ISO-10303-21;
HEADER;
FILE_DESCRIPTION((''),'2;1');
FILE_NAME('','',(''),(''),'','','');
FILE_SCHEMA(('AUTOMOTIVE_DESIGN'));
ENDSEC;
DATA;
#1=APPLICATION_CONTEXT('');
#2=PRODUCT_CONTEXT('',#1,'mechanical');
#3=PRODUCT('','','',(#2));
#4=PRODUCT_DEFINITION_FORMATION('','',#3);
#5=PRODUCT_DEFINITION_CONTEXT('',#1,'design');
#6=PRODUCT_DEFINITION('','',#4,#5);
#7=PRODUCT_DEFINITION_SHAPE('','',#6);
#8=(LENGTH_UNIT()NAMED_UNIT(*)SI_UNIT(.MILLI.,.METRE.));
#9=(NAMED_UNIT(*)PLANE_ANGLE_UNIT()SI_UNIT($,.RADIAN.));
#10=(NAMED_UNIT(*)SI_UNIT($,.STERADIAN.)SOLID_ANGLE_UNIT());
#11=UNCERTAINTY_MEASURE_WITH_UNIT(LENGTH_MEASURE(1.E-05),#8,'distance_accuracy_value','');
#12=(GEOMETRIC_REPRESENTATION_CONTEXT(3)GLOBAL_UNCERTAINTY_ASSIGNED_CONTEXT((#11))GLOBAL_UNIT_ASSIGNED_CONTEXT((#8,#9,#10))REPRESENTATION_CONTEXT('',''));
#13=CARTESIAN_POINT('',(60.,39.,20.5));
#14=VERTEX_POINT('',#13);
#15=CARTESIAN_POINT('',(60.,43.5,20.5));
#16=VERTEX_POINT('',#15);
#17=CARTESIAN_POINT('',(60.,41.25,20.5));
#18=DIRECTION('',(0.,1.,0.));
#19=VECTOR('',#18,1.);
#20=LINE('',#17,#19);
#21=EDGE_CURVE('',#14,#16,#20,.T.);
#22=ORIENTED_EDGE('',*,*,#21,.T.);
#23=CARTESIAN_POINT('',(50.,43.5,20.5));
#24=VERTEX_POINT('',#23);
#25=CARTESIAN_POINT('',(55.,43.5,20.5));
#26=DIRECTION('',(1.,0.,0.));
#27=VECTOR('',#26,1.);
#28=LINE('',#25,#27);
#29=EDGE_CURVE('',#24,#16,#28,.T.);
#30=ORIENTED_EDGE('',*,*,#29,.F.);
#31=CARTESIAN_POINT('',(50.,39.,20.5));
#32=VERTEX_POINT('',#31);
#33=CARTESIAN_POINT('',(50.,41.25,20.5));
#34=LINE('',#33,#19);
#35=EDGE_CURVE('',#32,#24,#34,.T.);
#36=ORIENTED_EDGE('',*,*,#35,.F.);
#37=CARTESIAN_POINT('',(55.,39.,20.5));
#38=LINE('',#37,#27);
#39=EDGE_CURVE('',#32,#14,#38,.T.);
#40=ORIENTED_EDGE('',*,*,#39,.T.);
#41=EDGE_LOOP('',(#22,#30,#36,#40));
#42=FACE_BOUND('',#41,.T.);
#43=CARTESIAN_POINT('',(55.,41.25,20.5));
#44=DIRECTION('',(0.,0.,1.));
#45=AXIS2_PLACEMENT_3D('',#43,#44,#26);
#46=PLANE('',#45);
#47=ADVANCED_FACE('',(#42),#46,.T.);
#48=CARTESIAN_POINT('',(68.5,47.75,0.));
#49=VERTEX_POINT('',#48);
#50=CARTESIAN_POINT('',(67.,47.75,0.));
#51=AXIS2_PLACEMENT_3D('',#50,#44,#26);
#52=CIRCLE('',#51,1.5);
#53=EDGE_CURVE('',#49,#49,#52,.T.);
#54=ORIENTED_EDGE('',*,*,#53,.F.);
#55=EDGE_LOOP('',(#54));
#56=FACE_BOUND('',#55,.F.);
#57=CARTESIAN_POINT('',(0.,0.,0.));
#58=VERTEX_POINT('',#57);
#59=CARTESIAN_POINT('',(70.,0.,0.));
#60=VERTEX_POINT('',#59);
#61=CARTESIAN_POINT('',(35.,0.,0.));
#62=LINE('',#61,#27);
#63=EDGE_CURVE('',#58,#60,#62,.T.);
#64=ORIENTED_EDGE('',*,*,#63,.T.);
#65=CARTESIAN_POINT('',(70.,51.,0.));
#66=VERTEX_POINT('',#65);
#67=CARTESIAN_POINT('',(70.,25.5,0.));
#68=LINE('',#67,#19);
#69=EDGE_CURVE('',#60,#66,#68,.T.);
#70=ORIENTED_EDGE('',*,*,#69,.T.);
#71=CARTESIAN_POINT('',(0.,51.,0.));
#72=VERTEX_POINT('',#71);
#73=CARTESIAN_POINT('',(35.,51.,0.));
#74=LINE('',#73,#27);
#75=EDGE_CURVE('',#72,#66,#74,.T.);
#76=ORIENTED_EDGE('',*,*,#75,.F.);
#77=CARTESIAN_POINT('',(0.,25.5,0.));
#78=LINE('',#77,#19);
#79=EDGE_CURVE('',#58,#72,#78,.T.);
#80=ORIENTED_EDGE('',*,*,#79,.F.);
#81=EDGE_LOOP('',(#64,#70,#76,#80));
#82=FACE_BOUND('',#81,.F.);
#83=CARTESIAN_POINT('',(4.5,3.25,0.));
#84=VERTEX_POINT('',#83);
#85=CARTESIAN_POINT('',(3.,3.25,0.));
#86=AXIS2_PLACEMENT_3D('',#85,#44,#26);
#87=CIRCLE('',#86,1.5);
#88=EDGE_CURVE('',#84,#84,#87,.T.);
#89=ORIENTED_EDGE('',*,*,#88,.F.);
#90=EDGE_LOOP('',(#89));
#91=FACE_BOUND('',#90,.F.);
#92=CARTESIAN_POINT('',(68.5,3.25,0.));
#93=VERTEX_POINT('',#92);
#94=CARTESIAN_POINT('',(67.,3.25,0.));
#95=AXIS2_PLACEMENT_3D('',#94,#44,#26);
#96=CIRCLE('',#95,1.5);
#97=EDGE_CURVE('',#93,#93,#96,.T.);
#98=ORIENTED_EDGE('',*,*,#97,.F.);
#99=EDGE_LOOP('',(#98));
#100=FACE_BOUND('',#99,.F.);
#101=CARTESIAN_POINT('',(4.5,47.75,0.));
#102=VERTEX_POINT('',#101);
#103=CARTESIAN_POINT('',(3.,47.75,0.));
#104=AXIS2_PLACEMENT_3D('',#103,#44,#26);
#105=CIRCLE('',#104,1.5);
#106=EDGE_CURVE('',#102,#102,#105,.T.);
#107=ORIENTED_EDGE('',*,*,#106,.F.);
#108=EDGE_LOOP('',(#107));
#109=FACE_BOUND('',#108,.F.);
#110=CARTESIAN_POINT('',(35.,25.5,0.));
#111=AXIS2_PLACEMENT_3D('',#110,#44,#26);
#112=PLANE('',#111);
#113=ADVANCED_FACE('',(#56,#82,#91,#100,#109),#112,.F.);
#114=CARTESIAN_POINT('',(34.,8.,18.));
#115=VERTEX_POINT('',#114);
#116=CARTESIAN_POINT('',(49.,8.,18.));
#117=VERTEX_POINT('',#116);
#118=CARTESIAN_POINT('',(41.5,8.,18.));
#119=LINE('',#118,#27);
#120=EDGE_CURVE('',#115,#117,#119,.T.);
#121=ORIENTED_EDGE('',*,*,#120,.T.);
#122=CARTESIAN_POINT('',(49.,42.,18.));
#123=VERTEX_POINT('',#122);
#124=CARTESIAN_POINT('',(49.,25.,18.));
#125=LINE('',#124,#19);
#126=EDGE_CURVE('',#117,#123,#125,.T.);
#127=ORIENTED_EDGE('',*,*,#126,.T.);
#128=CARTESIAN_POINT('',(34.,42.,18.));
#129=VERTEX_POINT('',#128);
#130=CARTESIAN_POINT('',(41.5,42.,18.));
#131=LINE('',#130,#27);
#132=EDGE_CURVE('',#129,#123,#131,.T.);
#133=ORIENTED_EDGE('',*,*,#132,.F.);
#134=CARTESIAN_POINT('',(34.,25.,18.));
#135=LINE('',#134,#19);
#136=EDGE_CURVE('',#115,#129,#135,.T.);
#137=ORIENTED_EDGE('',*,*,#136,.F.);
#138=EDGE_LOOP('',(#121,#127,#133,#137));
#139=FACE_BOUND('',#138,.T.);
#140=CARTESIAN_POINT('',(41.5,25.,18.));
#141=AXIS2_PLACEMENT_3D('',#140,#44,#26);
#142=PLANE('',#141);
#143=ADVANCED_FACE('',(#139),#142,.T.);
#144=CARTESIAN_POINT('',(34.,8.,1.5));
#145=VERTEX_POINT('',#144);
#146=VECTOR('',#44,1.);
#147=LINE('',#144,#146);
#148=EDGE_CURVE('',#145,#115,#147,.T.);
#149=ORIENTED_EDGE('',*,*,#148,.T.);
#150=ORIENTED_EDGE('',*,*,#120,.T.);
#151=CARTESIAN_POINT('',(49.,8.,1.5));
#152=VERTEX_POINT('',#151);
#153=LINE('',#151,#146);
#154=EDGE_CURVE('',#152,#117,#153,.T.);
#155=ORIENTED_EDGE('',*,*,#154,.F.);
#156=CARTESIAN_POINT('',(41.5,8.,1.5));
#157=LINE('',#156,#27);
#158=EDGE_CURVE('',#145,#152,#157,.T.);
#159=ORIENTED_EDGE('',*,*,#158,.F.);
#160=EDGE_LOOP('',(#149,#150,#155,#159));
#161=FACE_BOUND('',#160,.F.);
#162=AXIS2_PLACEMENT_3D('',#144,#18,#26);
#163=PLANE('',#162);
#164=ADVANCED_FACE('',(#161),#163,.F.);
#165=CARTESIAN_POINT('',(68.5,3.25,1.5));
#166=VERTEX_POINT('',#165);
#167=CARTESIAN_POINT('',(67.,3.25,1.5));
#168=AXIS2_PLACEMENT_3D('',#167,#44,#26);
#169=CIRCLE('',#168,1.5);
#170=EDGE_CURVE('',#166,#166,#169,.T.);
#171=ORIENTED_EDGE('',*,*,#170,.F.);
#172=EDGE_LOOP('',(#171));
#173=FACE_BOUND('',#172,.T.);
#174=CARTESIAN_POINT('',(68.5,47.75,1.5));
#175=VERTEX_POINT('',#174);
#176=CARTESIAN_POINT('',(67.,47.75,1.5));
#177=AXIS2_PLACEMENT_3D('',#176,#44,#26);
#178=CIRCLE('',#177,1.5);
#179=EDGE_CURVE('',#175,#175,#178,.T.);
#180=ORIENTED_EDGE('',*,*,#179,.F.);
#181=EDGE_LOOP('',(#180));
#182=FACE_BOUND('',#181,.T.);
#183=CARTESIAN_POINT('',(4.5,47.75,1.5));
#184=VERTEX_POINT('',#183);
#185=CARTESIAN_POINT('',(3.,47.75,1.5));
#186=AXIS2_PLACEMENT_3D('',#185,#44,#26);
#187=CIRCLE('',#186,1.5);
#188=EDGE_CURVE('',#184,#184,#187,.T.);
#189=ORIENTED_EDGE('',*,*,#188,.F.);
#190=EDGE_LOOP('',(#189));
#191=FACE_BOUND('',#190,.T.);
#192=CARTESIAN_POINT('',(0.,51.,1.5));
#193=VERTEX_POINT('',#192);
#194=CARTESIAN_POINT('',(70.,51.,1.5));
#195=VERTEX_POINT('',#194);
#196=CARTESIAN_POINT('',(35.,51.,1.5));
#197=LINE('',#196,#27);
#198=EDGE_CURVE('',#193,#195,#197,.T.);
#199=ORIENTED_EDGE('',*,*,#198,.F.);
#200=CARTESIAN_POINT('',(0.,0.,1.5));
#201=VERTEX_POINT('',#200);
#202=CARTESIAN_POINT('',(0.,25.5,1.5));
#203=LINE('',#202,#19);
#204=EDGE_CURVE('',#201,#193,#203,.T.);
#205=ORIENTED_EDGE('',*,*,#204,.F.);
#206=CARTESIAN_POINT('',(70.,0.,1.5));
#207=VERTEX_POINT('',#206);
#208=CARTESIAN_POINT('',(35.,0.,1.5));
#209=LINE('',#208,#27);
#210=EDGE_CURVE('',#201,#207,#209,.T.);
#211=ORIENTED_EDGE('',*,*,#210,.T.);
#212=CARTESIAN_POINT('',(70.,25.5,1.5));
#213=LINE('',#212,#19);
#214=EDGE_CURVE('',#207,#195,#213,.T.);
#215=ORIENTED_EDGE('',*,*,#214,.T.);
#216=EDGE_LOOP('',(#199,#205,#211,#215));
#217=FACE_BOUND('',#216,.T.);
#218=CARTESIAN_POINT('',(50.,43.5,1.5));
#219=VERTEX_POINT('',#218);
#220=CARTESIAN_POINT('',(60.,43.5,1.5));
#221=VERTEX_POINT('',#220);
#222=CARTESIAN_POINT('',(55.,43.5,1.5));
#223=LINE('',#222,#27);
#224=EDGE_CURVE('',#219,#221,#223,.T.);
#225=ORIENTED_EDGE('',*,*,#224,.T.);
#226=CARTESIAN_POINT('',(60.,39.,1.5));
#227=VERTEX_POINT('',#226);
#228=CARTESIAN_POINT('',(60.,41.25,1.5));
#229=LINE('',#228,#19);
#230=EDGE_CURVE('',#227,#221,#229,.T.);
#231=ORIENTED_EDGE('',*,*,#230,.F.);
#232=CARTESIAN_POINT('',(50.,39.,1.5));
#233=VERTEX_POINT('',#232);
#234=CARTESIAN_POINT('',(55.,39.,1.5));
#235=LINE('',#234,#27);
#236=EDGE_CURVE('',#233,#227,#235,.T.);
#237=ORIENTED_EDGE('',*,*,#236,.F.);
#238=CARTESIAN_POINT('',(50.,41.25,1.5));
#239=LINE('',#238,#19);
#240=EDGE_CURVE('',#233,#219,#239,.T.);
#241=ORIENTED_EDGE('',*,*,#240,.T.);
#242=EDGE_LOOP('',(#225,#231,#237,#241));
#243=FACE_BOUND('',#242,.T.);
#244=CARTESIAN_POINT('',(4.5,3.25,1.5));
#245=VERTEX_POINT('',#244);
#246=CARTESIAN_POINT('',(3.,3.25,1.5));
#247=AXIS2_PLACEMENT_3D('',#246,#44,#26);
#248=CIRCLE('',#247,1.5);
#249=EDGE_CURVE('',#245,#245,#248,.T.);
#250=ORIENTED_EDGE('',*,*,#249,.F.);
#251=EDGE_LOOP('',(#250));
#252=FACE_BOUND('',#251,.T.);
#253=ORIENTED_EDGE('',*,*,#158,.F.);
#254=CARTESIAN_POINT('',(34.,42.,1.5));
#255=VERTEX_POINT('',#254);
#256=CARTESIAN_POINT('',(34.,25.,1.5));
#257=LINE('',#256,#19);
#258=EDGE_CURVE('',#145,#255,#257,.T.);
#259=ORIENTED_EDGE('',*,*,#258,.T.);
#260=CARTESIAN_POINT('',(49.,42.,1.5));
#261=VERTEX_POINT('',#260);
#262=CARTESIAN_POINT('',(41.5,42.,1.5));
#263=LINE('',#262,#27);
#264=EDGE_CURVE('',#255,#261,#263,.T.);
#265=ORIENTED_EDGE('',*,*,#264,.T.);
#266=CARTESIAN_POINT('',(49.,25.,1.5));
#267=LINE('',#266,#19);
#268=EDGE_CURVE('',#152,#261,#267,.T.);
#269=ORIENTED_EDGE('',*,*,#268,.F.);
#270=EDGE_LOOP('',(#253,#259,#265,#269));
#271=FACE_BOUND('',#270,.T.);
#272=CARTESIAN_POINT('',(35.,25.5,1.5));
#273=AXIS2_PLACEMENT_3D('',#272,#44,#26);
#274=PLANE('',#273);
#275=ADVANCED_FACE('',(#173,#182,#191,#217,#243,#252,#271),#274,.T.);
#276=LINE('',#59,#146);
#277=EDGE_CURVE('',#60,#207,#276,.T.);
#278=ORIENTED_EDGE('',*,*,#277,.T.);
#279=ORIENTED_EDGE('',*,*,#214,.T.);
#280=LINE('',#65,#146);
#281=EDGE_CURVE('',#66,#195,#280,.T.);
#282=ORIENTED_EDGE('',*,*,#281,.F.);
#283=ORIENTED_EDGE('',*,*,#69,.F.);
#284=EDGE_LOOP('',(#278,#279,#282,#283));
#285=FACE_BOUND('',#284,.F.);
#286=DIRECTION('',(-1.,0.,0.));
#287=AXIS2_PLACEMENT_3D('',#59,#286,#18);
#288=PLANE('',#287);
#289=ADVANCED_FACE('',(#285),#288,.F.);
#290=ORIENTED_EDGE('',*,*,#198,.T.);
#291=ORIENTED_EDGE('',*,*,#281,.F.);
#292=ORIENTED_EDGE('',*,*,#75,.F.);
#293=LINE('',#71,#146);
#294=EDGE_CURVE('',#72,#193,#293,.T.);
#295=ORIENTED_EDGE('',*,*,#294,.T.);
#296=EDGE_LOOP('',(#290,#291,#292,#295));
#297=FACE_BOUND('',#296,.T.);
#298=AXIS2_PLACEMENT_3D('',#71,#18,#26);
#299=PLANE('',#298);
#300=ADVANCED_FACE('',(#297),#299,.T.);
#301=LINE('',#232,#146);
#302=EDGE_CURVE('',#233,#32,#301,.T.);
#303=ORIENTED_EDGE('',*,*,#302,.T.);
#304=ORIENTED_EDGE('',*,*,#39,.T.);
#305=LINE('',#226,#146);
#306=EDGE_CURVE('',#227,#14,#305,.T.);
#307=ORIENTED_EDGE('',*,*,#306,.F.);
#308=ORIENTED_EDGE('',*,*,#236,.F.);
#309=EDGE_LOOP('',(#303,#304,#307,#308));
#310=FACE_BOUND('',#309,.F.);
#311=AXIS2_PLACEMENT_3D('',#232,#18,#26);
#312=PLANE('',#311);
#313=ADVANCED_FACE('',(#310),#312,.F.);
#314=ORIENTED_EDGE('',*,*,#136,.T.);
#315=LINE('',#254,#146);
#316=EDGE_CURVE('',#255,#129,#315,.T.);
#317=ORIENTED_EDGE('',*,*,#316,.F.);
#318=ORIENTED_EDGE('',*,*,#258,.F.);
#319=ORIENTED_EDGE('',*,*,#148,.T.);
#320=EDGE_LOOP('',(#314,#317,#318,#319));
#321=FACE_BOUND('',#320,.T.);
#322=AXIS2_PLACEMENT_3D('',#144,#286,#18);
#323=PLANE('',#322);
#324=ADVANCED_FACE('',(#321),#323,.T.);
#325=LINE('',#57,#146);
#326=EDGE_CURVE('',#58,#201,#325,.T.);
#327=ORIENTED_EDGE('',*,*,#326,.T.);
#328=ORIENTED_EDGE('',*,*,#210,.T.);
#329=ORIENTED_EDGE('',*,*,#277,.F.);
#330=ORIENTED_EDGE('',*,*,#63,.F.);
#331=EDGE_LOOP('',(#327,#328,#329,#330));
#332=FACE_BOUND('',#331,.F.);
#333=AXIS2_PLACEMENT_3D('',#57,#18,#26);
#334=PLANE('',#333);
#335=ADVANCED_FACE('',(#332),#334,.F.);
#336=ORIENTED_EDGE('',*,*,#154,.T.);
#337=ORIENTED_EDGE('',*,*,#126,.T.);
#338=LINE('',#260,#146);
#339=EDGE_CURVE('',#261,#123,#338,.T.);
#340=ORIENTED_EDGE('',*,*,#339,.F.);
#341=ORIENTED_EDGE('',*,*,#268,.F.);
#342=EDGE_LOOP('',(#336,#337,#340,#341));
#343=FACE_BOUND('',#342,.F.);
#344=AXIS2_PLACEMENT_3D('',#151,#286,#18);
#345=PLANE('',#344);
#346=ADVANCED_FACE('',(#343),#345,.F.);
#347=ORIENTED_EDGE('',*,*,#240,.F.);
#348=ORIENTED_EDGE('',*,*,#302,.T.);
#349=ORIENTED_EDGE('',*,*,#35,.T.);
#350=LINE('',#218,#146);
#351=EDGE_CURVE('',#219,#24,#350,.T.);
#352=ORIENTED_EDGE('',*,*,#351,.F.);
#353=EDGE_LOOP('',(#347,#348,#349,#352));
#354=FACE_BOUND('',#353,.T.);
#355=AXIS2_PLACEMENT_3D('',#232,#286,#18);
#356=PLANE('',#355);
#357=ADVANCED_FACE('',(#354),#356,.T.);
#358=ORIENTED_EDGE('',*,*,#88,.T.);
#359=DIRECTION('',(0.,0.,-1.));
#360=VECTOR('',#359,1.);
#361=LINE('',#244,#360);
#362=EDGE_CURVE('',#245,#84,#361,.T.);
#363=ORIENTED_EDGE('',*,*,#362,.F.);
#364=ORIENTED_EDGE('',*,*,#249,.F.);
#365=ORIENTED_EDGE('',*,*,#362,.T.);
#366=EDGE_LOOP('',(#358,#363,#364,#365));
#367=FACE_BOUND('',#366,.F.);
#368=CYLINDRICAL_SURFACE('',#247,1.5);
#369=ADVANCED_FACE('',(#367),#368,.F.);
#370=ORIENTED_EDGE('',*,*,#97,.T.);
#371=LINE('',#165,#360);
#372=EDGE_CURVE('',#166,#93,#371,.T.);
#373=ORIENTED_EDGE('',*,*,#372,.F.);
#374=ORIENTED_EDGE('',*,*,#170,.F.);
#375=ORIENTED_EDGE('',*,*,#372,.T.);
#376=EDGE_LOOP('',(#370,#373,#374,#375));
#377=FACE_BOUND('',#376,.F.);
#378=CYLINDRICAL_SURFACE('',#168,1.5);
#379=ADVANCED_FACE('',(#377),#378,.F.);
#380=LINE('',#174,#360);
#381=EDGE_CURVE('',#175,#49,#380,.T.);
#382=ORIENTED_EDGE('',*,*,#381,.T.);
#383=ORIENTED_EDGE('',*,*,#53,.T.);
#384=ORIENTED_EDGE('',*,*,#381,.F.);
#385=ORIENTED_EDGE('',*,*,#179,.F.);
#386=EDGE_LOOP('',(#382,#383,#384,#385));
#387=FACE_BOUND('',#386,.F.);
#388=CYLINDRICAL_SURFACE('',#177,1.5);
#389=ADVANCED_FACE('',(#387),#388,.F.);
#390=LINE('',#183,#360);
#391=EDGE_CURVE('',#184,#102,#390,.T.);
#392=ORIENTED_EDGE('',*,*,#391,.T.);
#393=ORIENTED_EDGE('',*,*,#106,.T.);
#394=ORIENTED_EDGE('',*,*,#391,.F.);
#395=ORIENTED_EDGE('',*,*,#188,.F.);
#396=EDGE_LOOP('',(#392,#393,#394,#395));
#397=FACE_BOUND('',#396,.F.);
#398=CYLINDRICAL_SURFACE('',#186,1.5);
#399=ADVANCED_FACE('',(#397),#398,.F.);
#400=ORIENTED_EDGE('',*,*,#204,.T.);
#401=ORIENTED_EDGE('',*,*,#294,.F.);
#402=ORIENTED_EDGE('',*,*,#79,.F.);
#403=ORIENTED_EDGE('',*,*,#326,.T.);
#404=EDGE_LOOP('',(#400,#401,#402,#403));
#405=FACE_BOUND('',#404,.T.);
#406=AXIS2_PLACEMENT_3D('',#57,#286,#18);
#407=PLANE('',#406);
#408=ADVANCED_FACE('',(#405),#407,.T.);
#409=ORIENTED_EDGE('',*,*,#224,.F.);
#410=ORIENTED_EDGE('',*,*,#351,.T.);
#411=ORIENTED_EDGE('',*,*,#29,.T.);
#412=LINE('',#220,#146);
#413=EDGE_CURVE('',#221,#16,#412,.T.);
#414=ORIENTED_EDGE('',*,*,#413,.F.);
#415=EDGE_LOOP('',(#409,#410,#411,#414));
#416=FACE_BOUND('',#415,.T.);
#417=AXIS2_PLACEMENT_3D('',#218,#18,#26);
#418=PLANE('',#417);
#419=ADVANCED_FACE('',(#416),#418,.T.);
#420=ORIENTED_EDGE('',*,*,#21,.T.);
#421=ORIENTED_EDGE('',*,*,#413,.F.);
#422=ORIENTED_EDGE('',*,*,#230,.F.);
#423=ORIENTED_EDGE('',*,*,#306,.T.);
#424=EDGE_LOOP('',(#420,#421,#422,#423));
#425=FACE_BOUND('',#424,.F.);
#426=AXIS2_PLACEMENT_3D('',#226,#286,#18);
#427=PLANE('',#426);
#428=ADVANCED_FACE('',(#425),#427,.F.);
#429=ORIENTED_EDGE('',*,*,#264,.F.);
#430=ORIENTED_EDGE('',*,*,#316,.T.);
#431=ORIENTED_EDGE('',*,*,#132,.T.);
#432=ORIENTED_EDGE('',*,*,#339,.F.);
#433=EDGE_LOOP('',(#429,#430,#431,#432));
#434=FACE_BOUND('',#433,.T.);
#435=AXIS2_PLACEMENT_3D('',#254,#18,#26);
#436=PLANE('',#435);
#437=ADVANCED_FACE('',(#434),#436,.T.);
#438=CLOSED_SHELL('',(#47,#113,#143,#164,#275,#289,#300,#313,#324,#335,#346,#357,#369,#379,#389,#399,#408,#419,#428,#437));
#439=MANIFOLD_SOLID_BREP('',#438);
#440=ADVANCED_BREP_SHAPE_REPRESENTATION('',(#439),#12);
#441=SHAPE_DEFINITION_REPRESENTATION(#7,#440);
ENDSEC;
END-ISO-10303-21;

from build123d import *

# Parameters (mm, degrees)
F0_W     = 70
F0_H     = 51
F1_DEPTH = 1.5
F2_R     = 1.5
F3_DEPTH = 1.501
F4_W     = 15
F4_H     = 34
F5_DEPTH = 16.5
F6_W     = 10
F6_H     = 4.5
F7_DEPTH = 19


with BuildPart() as f1:
    # F0 (on Top) → F1 (new body)
    with BuildSketch(Plane.XY):
        with Locations((35, 25.5)):
            Rectangle(F0_W, F0_H)
    extrude(amount=F1_DEPTH)

    # F2 (on face) → F3 (cut, through all)
    with BuildSketch(Plane.XY.offset(1.5)):
        with Locations((67, 47.75)):
            Circle(F2_R)
        with Locations((67, 3.25)):
            Circle(F2_R)
        with Locations((3, 47.75)):
            Circle(F2_R)
        with Locations((3, 3.25)):
            Circle(F2_R)
    extrude(amount=-F3_DEPTH, mode=Mode.SUBTRACT)

    # F4 (on face) → F5 (join)
    with BuildSketch(Plane.XY.offset(1.5)):
        with Locations((41.5, 25)):
            Rectangle(F4_W, F4_H)
    extrude(amount=F5_DEPTH)

    # F6 (on face) → F7 (join)
    with BuildSketch(Plane.XY.offset(1.5)):
        with Locations((55, 41.25)):
            Rectangle(F6_W, F6_H)
    extrude(amount=F7_DEPTH)


solid = f1.part
